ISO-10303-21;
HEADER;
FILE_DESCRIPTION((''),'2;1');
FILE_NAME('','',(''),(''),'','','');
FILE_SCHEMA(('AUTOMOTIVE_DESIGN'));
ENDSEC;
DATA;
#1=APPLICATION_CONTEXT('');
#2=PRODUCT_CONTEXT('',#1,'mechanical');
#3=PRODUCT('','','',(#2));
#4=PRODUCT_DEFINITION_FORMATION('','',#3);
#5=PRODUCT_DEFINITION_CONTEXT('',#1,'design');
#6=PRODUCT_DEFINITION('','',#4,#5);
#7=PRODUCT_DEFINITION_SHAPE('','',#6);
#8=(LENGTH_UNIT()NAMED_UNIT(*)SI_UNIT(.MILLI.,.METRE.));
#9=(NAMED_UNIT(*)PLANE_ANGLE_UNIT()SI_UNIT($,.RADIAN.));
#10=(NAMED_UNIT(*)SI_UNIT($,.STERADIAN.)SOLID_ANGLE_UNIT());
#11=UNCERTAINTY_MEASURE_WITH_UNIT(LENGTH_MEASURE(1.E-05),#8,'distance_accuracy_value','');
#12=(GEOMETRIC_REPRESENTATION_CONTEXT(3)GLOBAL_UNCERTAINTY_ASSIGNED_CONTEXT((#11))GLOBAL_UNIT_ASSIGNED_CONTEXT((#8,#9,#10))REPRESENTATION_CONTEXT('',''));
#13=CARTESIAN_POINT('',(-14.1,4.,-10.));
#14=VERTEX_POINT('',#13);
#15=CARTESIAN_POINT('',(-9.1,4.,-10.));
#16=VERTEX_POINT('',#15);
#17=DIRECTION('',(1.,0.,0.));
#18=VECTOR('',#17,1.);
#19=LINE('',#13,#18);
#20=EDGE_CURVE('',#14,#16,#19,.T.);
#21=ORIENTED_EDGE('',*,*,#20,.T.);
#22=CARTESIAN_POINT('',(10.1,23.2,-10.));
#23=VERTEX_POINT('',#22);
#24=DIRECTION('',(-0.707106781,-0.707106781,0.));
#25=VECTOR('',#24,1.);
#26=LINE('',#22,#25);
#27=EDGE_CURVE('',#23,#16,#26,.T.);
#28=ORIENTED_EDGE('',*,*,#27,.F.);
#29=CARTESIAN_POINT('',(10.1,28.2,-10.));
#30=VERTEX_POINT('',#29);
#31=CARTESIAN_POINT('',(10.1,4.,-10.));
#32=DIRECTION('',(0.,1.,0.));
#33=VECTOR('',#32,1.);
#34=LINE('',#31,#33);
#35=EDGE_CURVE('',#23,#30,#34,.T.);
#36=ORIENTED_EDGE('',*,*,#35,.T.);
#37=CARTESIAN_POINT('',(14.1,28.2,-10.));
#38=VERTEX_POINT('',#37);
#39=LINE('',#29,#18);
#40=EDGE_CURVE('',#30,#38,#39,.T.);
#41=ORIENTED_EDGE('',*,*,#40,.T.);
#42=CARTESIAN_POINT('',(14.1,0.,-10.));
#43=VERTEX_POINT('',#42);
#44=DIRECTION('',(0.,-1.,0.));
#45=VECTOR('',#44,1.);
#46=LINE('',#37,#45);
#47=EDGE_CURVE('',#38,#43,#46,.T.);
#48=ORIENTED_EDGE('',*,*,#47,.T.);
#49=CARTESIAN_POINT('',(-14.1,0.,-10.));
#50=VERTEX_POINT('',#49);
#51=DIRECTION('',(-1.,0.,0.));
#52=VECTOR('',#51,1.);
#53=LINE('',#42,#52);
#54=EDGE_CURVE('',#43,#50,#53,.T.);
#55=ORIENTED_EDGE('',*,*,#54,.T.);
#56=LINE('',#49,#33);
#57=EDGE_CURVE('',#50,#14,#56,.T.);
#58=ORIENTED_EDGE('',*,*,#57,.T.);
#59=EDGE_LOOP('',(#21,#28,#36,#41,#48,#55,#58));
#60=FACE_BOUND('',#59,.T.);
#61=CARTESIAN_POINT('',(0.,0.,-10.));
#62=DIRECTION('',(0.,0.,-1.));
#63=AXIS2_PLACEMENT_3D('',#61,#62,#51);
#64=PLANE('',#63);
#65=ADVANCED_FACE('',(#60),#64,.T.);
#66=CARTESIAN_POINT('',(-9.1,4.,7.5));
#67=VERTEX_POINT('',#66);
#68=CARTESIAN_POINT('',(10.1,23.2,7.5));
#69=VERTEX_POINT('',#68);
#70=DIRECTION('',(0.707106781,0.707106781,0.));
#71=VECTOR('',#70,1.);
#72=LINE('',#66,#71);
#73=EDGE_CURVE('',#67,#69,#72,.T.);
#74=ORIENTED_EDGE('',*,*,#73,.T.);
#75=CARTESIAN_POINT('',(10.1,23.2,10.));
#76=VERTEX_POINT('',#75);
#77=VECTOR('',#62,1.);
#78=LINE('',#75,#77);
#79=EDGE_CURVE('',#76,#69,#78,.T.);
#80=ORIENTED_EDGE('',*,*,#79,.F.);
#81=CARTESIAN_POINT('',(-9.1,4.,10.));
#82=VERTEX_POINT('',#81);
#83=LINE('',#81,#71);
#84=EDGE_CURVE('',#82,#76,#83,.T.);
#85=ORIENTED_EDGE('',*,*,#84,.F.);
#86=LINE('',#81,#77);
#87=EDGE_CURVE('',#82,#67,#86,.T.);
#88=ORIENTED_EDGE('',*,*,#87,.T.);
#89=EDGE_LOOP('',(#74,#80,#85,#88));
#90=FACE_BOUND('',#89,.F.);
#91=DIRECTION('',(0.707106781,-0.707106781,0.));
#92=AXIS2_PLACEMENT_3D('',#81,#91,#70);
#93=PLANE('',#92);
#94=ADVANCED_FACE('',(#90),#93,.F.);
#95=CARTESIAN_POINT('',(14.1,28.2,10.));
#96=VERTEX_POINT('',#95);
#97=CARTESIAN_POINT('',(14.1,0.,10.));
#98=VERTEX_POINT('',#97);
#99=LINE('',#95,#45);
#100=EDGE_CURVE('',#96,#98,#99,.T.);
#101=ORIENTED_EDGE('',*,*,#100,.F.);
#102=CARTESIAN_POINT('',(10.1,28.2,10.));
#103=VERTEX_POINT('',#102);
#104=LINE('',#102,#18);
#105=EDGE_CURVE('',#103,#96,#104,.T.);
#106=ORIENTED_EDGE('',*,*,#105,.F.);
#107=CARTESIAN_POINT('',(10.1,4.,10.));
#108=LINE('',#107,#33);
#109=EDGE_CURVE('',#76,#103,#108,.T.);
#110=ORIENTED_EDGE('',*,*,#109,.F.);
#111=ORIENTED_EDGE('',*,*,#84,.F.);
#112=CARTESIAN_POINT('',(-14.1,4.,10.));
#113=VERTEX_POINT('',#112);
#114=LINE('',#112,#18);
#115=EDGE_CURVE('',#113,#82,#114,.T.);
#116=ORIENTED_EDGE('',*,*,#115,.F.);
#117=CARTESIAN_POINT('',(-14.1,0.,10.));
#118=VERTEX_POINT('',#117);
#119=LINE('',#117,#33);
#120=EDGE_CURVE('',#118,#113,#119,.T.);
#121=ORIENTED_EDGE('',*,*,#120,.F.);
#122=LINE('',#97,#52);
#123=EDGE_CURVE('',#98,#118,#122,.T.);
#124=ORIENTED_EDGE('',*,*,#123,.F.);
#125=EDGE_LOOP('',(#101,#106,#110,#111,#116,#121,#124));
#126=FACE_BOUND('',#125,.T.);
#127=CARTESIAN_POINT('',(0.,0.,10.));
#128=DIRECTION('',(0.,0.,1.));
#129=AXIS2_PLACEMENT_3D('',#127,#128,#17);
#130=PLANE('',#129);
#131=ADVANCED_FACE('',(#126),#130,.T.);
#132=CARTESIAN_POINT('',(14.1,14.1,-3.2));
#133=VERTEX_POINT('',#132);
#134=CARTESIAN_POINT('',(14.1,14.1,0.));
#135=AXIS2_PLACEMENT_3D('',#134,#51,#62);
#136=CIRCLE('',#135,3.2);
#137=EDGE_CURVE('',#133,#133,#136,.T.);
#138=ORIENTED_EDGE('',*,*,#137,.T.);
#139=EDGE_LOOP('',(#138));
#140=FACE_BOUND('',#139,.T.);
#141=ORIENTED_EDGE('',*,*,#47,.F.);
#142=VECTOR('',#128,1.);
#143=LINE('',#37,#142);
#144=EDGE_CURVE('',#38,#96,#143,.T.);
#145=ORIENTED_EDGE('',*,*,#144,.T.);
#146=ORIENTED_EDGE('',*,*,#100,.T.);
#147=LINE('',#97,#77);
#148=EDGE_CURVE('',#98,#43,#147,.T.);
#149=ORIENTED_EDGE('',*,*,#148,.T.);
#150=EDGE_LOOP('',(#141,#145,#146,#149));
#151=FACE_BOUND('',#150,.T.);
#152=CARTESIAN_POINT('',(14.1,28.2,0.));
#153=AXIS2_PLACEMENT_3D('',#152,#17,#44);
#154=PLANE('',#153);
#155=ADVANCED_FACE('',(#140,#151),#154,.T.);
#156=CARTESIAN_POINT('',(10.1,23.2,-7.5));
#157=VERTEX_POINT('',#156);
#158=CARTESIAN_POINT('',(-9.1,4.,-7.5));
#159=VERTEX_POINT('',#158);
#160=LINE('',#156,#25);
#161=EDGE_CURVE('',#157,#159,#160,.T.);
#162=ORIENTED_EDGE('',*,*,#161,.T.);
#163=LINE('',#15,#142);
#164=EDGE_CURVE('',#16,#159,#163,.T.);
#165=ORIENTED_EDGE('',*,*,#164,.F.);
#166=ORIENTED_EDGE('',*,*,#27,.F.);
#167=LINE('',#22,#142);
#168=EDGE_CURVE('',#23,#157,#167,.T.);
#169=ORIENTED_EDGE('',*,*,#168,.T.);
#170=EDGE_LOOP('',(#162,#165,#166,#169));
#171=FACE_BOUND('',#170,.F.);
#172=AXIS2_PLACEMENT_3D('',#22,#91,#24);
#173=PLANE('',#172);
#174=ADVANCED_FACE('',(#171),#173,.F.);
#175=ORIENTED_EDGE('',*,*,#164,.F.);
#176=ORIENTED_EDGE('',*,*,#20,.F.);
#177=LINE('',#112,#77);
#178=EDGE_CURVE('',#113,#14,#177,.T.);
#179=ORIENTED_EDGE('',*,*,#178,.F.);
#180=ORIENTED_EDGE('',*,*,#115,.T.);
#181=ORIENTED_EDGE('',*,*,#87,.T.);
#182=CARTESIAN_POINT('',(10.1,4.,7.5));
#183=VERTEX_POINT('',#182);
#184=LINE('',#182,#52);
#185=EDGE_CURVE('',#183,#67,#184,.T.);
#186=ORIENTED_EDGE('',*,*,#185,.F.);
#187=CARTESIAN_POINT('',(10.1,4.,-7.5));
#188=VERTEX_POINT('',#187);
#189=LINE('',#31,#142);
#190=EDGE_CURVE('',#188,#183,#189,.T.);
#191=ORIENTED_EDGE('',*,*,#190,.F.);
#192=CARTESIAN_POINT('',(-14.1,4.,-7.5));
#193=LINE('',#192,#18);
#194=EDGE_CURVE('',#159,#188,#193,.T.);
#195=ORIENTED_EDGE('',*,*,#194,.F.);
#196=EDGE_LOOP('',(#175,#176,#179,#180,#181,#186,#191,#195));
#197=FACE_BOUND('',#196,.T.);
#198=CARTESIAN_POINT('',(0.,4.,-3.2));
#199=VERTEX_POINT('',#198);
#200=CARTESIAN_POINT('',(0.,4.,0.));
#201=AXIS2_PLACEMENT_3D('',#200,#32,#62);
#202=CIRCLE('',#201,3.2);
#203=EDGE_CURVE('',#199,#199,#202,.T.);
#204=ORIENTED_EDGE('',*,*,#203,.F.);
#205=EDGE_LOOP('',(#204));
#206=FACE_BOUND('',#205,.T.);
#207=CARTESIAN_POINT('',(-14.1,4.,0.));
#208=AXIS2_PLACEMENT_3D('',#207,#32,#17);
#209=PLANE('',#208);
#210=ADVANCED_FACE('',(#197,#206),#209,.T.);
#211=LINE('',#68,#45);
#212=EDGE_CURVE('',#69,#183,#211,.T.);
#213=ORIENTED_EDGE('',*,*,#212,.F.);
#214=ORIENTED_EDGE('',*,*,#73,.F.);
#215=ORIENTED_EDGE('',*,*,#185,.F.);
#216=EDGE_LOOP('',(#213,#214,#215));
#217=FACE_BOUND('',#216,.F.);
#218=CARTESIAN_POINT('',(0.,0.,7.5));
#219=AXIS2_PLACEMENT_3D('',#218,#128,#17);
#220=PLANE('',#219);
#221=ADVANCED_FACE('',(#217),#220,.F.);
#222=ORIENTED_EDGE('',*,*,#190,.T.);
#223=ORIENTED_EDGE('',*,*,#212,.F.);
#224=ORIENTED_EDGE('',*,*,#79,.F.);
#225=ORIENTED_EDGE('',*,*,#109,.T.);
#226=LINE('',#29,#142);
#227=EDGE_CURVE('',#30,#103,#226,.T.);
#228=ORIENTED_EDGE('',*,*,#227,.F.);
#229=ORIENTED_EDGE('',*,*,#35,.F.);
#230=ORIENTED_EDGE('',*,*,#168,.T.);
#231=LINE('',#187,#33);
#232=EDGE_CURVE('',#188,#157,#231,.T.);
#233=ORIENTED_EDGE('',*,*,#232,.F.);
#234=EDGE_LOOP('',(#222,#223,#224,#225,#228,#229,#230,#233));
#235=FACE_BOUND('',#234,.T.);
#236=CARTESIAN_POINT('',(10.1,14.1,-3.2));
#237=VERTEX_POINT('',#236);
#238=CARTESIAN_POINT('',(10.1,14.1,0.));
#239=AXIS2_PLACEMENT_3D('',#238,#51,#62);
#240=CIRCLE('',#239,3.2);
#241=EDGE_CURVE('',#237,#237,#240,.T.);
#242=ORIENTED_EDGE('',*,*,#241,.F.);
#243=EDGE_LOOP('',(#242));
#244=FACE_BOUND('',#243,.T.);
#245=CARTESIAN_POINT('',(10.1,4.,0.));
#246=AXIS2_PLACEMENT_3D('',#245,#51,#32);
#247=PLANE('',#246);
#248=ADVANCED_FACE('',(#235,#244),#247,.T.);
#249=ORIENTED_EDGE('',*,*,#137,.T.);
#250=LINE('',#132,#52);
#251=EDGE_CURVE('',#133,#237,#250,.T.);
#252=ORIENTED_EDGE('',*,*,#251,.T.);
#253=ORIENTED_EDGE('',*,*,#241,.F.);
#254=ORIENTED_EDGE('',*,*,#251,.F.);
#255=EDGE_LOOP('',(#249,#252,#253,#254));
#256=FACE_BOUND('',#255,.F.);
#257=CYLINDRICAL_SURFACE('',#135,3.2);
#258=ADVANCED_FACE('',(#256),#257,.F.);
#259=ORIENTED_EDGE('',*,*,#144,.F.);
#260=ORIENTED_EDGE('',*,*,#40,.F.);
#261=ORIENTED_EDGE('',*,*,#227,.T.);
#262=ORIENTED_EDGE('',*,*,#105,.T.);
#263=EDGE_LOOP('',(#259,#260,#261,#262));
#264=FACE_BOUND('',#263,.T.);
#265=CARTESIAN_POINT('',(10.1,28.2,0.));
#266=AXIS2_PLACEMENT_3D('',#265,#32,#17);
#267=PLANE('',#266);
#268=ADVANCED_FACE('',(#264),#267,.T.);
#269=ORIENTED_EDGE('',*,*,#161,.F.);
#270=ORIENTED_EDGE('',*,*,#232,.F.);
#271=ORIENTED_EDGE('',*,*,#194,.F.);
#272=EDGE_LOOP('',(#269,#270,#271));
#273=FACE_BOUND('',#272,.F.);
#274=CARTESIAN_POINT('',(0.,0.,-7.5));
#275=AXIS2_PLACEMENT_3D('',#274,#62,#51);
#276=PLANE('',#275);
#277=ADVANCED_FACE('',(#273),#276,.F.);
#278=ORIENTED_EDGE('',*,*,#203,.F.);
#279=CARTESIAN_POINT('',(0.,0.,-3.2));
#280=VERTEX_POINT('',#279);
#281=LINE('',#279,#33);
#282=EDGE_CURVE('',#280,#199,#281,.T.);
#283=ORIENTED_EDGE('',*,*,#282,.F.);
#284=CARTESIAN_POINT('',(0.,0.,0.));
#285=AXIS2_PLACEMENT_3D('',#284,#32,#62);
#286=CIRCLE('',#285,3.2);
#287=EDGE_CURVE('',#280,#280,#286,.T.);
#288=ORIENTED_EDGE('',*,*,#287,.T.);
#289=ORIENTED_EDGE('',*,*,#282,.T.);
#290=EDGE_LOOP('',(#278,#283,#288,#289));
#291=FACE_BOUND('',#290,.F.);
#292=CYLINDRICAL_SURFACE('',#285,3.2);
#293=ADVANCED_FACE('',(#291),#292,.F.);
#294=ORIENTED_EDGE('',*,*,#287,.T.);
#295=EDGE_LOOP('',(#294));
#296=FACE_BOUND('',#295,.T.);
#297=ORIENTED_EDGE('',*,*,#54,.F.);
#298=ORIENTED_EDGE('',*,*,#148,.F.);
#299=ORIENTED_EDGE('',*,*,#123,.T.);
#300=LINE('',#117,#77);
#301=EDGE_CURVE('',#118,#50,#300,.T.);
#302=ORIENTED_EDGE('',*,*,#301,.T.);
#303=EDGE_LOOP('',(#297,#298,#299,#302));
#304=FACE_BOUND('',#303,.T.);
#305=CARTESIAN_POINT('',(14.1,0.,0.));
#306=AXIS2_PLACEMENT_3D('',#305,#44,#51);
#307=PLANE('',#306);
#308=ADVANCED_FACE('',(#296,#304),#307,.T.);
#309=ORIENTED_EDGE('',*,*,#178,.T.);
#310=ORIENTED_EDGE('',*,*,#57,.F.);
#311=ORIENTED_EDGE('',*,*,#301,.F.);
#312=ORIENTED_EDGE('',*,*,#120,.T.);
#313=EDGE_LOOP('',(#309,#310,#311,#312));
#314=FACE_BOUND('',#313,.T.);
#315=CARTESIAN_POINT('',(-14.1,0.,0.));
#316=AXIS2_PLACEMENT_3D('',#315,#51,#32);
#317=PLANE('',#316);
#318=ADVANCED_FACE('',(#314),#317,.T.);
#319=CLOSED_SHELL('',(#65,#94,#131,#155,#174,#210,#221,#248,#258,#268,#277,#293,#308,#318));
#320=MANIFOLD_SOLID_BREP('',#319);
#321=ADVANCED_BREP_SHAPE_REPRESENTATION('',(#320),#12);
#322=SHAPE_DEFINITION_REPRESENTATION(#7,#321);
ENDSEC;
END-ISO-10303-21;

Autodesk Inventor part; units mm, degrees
ref_plane "YZ Plane" through (0, 0, 0) normal (1, 0, 0) x (0, 1, 0)
ref_plane "XZ Plane" through (0, 0, 0) normal (0, 1, 0) x (-1, 0, 0)
ref_plane "XY Plane" through (0, 0, 0) normal (0, 0, 1) x (1, 0, 0)
sketch "Sketch1" plane through (0, 0, 0) normal (0, 0, 1) x (1, 0, 0)
  line L0 (14.1, 28.2) -> (14.1, 0)
  line L1 (14.1, 0) -> (-14.1, 0)
  line L2 (-14.1, 0) -> (-14.1, 4)
  line L3 (-14.1, 4) -> (10.1, 4)
  line L4 (10.1, 4) -> (10.1, 28.2)
  line L5 (10.1, 28.2) -> (14.1, 28.2)
  point P0 (0, 0)
  point P1 (0, 0)
  dimension "d0" = 28.2
  dimension "d1" = 4
extrude "Escuadra cuerpo" add sketch "Sketch1" along normal mid plane 20
sketch "Sketch2" plane through (0, 0, 10) normal (0, 0, 1) x (1, 0, 0)
  line L0 (10.1, 4) -> (-14.1, 4) projected
  line L1 (-9.1, 4) -> (10.1, 23.2)
  line L2 (10.1, 23.2) -> (10.1, 4)
  line L3 (10.1, 4) -> (-9.1, 4)
  line L4 (14.1, 28.2) -> (10.1, 28.2) projected
  point P0 (0, 0)
  dimension "d4" = 5
  dimension "d5" = 5
extrude "Nervia lateral 1" add sketch "Sketch2" against normal blind 2.5
sketch "Sketch3" plane through (0, 0, -10) normal (0, 0, -1) x (-1, 0, 0)
  line L0 (-10.1, 4) -> (-10.1, 23.2) projected
  line L1 (-10.1, 23.2) -> (9.1, 4)
  line L2 (14.1, 4) -> (-10.1, 4) projected
  line L3 (-10.1, 4) -> (-10.1, 28.2) projected
  line L4 (-10.1, 23.2) -> (-10.1, 4)
  line L5 (-10.1, 4) -> (9.1, 4)
  point P0 (0, 0)
  dimension "d8" = 5
  dimension "d9" = 5
extrude "Nervio lateral 2" add sketch "Sketch3" against normal blind 2.5
sketch "Sketch4" plane through (-14.1, 0, 10) normal (0, -1, 0) x (1, 0, 0)
  point P0 (14.1, -10)
  point P1 (14.1, -10)
hole "BCC M6 1" at (0, 0, 0) direction (0, 1, 0) diameter 6.4 end through all
sketch "Sketch5" plane through (14.1, 0, 10) normal (1, 0, 0) x (0, 0, -1)
  line L0 (0, 0) -> (0, 28.2) projected
  line L1 (20, 0) -> (0, 0) projected
  point P0 (10, 0)
  point P1 (10, 14.1)
  point P2 (0, 14.1)
  point P3 (10, 0)
hole "BCC M5 2" at (14.1, 14.1, 0) direction (-1, 0, 0) diameter 6.4 end through all
properties part number "Escuadra DC"
